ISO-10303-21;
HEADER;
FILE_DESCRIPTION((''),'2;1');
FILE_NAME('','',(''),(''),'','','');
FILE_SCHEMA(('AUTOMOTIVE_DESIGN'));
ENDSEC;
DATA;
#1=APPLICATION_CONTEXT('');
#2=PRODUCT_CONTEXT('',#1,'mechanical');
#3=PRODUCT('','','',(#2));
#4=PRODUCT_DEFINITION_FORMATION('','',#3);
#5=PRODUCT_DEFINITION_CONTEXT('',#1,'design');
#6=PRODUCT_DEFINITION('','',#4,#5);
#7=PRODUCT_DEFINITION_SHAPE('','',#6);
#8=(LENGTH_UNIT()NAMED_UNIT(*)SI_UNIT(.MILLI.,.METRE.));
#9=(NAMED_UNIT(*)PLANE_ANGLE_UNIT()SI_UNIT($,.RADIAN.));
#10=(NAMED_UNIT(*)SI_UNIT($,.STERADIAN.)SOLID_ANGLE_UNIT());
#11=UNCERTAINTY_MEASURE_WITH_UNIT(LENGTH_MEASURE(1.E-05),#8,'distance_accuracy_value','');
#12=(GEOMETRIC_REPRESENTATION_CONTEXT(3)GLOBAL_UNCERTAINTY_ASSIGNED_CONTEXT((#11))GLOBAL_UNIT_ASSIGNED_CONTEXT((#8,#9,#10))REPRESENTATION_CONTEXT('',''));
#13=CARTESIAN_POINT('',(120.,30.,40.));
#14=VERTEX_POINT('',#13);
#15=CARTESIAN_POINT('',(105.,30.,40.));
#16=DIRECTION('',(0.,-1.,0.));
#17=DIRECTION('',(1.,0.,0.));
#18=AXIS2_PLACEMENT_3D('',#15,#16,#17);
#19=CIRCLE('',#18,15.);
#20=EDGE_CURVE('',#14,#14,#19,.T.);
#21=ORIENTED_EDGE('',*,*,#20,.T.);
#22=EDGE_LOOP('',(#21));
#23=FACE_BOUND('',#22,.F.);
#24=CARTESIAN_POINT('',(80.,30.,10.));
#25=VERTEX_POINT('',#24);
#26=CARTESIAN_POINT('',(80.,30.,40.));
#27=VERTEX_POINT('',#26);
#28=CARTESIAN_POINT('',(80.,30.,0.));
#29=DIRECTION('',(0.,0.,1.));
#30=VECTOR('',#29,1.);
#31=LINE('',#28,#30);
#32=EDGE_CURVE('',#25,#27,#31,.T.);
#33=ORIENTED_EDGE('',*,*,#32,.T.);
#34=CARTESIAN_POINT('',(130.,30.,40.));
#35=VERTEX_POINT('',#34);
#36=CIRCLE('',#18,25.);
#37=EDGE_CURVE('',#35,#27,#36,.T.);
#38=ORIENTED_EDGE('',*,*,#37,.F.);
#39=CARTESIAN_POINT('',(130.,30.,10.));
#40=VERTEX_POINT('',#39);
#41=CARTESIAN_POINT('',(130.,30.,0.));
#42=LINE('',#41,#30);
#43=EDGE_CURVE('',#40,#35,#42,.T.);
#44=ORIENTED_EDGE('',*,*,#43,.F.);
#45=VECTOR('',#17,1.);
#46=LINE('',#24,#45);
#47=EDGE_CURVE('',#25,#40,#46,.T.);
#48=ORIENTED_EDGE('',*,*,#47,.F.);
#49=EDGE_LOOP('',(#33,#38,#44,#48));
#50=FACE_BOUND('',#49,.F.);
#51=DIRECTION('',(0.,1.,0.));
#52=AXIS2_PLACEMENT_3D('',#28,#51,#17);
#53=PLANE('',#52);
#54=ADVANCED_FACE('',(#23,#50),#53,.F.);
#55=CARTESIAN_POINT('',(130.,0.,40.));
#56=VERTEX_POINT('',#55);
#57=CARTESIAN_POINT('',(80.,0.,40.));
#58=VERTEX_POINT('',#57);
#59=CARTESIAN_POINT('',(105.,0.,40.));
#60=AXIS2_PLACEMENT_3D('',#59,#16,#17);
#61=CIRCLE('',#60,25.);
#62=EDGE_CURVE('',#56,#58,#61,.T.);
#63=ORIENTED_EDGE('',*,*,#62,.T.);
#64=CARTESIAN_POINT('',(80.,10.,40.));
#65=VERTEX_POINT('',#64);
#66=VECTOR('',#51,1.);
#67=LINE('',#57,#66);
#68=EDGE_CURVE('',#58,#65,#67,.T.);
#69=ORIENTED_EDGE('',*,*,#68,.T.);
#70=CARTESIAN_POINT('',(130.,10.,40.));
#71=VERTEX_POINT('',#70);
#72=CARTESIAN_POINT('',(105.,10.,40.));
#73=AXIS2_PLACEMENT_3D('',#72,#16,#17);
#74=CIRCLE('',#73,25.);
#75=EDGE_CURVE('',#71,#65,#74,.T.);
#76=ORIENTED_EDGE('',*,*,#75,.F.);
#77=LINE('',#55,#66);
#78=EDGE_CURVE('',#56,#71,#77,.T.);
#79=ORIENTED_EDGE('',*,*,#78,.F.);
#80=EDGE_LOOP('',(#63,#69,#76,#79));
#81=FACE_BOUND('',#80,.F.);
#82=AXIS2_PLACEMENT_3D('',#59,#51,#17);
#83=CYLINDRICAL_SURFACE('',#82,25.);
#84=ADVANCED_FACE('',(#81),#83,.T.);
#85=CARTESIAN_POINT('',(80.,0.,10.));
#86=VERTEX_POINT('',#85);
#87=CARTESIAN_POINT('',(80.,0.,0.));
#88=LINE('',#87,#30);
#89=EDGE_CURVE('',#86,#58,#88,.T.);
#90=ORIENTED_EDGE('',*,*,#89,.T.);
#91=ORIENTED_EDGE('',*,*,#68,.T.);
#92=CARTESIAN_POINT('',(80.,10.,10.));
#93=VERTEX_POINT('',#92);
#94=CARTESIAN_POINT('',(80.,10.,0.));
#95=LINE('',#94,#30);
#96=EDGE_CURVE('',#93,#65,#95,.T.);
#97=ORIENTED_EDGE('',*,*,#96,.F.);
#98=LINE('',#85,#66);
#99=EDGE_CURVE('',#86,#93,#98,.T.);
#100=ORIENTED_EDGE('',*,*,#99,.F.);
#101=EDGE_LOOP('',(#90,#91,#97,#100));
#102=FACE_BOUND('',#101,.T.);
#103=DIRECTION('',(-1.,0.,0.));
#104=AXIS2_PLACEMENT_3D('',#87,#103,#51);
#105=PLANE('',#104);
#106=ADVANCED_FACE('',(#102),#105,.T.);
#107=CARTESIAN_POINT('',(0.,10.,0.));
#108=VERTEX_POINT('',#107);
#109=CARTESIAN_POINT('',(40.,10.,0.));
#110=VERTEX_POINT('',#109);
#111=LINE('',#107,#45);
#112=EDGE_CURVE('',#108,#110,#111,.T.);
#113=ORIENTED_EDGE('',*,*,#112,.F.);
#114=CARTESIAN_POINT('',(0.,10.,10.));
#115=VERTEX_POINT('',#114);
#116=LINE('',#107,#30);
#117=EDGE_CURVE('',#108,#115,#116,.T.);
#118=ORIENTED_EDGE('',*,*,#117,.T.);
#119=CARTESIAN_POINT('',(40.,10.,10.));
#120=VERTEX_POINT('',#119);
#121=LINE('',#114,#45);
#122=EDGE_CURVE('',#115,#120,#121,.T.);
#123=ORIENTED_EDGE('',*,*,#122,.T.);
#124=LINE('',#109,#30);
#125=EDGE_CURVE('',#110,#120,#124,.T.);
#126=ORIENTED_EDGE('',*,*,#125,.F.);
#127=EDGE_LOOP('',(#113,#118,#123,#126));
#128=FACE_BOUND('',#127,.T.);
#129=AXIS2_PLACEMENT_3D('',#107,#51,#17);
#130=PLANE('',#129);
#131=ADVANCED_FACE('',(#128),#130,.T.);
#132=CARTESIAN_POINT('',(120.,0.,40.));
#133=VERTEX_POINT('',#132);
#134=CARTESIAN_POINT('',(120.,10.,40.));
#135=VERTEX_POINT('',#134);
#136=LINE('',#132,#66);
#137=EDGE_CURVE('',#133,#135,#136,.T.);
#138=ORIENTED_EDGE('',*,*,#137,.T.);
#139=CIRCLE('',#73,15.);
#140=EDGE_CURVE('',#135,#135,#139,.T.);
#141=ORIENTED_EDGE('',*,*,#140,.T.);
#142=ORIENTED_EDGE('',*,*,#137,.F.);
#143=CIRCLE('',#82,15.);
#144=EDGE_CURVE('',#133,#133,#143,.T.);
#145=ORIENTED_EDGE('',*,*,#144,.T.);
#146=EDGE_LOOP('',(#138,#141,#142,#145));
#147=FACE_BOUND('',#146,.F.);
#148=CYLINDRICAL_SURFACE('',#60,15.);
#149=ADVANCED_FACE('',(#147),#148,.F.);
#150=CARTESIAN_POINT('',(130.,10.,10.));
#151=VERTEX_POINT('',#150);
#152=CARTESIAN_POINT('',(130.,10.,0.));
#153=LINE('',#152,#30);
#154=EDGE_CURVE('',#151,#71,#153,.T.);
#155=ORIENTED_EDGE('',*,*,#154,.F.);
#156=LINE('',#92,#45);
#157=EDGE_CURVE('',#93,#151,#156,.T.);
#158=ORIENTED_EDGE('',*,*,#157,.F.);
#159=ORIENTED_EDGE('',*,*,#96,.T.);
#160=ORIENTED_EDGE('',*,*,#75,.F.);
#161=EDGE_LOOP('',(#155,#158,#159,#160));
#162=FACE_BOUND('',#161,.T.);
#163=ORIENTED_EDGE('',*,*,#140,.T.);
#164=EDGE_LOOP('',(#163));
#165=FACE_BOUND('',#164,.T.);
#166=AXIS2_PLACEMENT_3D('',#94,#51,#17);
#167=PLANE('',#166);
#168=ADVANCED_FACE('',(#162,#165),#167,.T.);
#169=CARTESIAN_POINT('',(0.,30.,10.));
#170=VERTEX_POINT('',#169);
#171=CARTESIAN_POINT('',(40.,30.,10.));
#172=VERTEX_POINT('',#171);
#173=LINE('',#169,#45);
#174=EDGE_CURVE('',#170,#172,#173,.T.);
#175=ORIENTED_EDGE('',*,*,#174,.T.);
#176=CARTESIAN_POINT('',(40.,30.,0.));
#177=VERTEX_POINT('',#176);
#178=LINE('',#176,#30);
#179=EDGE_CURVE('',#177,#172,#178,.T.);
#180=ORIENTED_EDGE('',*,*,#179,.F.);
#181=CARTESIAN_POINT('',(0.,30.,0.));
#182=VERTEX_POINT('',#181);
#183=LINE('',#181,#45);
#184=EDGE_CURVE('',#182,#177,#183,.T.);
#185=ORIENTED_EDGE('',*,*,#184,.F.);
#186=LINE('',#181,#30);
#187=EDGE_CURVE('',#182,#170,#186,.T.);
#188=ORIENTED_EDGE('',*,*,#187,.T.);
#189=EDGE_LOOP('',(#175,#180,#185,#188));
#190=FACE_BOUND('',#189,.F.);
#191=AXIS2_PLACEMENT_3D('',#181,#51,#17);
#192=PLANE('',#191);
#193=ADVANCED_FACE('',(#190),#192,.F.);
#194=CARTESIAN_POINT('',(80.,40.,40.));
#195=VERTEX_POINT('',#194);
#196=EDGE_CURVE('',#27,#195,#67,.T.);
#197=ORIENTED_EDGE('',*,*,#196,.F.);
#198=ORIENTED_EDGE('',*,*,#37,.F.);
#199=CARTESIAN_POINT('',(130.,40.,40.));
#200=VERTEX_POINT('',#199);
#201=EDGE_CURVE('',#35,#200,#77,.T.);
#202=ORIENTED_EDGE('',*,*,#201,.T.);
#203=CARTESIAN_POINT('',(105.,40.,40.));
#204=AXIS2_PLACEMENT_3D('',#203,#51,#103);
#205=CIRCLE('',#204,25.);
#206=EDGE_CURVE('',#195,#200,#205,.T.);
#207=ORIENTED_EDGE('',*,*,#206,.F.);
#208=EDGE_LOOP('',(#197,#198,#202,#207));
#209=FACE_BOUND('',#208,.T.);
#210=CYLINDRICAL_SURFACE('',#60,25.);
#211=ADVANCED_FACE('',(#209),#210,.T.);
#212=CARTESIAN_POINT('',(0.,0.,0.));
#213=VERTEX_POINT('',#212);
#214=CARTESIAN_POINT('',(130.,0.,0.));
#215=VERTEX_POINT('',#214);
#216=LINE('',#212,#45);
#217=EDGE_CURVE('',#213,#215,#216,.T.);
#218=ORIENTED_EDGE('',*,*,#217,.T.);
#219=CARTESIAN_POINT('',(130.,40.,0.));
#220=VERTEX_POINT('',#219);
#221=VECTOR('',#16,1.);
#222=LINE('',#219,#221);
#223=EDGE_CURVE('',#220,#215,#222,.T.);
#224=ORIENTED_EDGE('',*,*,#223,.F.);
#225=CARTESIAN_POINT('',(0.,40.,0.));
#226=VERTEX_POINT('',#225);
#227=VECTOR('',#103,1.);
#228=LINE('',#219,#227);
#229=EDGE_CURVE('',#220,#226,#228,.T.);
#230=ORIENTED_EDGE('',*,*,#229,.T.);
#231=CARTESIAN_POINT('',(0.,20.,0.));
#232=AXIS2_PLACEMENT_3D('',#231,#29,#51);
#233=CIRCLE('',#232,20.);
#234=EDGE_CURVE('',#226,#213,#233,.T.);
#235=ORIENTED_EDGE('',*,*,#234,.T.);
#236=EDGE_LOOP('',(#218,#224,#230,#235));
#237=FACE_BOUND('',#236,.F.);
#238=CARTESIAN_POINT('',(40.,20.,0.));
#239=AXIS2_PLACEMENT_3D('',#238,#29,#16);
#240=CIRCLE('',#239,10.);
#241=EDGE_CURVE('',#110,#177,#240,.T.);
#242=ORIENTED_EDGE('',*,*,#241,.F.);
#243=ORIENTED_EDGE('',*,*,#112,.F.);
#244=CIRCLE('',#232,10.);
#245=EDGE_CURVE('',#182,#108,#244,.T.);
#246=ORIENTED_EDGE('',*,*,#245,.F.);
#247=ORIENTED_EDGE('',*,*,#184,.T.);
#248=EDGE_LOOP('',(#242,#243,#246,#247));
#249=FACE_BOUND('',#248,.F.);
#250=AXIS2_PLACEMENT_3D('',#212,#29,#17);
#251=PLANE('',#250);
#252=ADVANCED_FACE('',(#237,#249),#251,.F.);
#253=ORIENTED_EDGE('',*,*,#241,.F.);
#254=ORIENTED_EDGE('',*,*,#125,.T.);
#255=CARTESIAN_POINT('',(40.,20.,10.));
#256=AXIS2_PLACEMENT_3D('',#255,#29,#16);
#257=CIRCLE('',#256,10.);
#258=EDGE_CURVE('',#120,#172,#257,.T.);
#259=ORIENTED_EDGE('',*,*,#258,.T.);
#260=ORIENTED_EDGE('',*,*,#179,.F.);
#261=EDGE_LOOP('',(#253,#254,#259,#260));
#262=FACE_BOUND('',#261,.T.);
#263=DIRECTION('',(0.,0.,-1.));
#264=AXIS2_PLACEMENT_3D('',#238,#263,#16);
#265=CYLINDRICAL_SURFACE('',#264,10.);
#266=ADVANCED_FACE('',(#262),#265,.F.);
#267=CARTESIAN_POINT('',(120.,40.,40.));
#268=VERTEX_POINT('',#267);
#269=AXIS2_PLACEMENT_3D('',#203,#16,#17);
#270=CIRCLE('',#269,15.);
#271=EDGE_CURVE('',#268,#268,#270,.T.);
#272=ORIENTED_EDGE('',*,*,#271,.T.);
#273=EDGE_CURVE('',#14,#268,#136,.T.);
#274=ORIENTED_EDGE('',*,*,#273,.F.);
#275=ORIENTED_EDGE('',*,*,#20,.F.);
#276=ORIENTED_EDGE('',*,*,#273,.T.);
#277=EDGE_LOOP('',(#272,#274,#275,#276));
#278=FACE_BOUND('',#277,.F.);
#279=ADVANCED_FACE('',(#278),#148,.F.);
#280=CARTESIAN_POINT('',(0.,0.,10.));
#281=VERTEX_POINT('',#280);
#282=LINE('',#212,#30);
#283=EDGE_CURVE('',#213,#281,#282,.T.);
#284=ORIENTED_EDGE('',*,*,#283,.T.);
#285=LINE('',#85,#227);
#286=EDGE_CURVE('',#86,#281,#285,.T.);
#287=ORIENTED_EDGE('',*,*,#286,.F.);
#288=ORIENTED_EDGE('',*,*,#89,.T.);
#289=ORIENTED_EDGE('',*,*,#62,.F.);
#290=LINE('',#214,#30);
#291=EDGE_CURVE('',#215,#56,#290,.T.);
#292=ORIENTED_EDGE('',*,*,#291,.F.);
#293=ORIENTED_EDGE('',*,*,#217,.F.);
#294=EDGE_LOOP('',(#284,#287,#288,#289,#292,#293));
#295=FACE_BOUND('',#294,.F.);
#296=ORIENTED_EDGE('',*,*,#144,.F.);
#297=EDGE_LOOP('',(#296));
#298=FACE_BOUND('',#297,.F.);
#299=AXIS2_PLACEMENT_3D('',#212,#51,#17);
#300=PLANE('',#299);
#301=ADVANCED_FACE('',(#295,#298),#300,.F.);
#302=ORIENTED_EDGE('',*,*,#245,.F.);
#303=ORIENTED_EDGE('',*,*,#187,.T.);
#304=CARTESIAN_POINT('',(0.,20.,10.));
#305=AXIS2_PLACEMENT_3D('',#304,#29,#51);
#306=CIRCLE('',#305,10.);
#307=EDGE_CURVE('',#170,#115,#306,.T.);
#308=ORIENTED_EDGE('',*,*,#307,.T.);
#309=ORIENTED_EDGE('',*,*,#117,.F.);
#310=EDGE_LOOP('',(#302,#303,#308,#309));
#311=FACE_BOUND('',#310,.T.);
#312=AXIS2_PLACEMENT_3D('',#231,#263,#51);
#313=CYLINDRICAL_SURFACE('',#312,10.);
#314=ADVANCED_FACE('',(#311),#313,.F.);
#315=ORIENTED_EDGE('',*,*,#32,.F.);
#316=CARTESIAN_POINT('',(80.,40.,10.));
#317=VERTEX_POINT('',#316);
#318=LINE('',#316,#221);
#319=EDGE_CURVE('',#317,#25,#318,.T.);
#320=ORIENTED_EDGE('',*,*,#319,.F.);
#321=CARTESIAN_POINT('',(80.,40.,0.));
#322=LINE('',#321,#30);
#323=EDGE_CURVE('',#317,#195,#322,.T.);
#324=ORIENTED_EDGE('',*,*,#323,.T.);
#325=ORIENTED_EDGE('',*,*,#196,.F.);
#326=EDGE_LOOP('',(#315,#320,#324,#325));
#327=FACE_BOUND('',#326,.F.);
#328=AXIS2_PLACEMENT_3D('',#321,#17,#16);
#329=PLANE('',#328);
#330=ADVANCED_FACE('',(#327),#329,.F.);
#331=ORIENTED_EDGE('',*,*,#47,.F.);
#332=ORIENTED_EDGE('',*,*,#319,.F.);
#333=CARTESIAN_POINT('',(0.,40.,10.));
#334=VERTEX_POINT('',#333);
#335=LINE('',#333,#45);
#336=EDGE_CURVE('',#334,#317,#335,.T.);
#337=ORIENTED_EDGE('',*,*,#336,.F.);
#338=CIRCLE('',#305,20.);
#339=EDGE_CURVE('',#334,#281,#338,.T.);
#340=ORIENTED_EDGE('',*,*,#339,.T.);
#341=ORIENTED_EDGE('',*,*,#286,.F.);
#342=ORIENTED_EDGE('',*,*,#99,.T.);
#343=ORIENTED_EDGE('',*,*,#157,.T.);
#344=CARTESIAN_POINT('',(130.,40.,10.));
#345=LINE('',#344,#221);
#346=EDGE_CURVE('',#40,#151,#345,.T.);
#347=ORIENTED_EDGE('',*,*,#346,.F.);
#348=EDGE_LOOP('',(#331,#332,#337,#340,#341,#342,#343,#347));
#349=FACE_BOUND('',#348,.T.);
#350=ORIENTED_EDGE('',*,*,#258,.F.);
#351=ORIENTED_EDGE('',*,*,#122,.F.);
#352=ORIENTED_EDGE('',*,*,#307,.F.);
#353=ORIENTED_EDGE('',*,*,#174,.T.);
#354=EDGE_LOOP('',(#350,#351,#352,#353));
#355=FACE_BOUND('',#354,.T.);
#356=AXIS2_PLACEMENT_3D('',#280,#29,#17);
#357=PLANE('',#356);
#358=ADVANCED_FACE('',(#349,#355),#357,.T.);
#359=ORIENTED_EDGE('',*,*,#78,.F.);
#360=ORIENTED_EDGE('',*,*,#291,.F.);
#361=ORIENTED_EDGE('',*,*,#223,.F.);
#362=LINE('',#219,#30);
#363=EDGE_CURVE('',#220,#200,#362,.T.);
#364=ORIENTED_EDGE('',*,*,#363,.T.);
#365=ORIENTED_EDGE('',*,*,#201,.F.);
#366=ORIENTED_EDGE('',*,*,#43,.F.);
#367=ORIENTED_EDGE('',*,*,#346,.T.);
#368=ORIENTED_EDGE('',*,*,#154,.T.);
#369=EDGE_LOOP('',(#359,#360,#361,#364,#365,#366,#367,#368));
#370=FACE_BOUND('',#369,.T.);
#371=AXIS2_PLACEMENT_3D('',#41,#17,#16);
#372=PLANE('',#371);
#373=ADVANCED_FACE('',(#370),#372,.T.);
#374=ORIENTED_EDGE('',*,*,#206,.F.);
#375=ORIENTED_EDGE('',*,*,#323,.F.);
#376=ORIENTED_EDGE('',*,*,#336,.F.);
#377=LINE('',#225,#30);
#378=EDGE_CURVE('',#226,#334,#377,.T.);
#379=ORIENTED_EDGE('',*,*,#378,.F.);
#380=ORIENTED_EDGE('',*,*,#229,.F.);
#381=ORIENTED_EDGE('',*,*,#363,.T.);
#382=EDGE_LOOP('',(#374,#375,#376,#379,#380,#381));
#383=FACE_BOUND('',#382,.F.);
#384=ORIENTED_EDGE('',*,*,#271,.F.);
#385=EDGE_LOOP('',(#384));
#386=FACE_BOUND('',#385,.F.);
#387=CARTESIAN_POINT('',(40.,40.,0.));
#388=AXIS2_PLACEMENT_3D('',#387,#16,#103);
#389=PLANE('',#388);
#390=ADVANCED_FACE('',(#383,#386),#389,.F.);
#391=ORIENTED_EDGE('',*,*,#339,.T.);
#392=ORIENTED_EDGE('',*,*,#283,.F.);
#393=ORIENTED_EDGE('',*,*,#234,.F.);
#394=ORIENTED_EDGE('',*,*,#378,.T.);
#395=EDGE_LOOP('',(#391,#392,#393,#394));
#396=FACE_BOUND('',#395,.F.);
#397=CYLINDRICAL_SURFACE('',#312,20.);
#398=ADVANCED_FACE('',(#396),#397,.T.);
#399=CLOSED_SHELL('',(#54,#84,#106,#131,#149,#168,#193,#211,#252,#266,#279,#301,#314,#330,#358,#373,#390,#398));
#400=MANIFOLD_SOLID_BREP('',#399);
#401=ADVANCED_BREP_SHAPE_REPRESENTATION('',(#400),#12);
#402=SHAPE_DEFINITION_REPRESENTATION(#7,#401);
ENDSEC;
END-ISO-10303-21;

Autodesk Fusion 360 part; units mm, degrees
sketch "Sketch1" plane through (0, 0, 0) normal (0, 0, 1) x (1, 0, 0)
  line L0 (0, 0) -> (40, 0)
  line L1 (40, 40) -> (0, 40)
  line L2 (40, 40) -> (105, 40)
  line L3 (105, 0) -> (40, 0)
  line L4 (105, 40) -> (130, 40)
  line L5 (130, 40) -> (130, 0)
  line L6 (130, 0) -> (105, 0)
  line L7 (0, 30) -> (40, 30)
  line L8 (0, 10) -> (40, 10)
  arc A0 (40, 10) -> (40, 30) centre (40, 20) ccw
  arc A1 (0, 30) -> (0, 10) centre (0, 20) ccw
  arc A2 (0, 40) -> (0, 0) centre (0, 20) ccw
  line L9 (130, 40) -> (80, 40)
  line L10 (80, 40) -> (80, 30)
  line L11 (80, 30) -> (130, 30)
  line L12 (130, 30) -> (130, 40)
  line L13 (130, 0) -> (80, 0)
  line L14 (80, 0) -> (80, 10)
  line L15 (80, 10) -> (130, 10)
  line L16 (130, 10) -> (130, 0)
  dimension "d1" = 40
  dimension "d2" = 40
  dimension "d3" = 65
  dimension "d4" = 40
  dimension "d5" = 25
  dimension "d6" = 40
  dimension "d8" = 20
  dimension "d9" = 40
  dimension "d10" = 20
  dimension "d11" = 50
  dimension "d12" = 10
  dimension "d13" = 50
  dimension "d14" = 10
extrude "Extrude1" add sketch "Sketch1" along normal blind 10 contours L0 L1 L2 L3 L5 A2 L10 L11 L14 L15
extrude "Extrude2" add sketch "Sketch1" along normal blind 65 contours L3 L5 L6 L13 L14 L15 L16 | L2 L4 L5 L9 L10 L11 L12
sketch "Sketch2" plane through (0, 0, 0) normal (0, -1, 0) x (1, 0, 0)
  line L0 (0, 0) -> (130, 0)
  line L1 (130, 0) -> (130, 65)
  line L2 (80, 65) -> (80, 10)
  line L3 (80, 10) -> (0, 10)
  line L4 (0, 10) -> (0, 0)
  line L5 (130, 0) -> (130, 40)
  line L6 (130, 40) -> (80, 40)
  circle A0 centre (105, 40) radius 15
  circle A1 centre (105, 40) radius 25
  dimension "d19" = 40
  dimension "d20" = 30
extrude "Extrude3" cut sketch "Sketch2" against normal blind 55 contours L6 A0 | L6 A0
extrude "Extrude4" add sketch "Sketch2" along normal blind 9 contours L6 A0 A1 picked at (95.2888, 59.3043)
extrude "Extrude5" cut 2 faces at (125.0884, 0, 60.0884) (84.9116, 0, 60.0884) along direction (0, 1, 0) blind 57
extrude "Extrude6" cut 1 faces at (95.2888, -9, 59.3043) along direction (0, 1, 0) blind 9
